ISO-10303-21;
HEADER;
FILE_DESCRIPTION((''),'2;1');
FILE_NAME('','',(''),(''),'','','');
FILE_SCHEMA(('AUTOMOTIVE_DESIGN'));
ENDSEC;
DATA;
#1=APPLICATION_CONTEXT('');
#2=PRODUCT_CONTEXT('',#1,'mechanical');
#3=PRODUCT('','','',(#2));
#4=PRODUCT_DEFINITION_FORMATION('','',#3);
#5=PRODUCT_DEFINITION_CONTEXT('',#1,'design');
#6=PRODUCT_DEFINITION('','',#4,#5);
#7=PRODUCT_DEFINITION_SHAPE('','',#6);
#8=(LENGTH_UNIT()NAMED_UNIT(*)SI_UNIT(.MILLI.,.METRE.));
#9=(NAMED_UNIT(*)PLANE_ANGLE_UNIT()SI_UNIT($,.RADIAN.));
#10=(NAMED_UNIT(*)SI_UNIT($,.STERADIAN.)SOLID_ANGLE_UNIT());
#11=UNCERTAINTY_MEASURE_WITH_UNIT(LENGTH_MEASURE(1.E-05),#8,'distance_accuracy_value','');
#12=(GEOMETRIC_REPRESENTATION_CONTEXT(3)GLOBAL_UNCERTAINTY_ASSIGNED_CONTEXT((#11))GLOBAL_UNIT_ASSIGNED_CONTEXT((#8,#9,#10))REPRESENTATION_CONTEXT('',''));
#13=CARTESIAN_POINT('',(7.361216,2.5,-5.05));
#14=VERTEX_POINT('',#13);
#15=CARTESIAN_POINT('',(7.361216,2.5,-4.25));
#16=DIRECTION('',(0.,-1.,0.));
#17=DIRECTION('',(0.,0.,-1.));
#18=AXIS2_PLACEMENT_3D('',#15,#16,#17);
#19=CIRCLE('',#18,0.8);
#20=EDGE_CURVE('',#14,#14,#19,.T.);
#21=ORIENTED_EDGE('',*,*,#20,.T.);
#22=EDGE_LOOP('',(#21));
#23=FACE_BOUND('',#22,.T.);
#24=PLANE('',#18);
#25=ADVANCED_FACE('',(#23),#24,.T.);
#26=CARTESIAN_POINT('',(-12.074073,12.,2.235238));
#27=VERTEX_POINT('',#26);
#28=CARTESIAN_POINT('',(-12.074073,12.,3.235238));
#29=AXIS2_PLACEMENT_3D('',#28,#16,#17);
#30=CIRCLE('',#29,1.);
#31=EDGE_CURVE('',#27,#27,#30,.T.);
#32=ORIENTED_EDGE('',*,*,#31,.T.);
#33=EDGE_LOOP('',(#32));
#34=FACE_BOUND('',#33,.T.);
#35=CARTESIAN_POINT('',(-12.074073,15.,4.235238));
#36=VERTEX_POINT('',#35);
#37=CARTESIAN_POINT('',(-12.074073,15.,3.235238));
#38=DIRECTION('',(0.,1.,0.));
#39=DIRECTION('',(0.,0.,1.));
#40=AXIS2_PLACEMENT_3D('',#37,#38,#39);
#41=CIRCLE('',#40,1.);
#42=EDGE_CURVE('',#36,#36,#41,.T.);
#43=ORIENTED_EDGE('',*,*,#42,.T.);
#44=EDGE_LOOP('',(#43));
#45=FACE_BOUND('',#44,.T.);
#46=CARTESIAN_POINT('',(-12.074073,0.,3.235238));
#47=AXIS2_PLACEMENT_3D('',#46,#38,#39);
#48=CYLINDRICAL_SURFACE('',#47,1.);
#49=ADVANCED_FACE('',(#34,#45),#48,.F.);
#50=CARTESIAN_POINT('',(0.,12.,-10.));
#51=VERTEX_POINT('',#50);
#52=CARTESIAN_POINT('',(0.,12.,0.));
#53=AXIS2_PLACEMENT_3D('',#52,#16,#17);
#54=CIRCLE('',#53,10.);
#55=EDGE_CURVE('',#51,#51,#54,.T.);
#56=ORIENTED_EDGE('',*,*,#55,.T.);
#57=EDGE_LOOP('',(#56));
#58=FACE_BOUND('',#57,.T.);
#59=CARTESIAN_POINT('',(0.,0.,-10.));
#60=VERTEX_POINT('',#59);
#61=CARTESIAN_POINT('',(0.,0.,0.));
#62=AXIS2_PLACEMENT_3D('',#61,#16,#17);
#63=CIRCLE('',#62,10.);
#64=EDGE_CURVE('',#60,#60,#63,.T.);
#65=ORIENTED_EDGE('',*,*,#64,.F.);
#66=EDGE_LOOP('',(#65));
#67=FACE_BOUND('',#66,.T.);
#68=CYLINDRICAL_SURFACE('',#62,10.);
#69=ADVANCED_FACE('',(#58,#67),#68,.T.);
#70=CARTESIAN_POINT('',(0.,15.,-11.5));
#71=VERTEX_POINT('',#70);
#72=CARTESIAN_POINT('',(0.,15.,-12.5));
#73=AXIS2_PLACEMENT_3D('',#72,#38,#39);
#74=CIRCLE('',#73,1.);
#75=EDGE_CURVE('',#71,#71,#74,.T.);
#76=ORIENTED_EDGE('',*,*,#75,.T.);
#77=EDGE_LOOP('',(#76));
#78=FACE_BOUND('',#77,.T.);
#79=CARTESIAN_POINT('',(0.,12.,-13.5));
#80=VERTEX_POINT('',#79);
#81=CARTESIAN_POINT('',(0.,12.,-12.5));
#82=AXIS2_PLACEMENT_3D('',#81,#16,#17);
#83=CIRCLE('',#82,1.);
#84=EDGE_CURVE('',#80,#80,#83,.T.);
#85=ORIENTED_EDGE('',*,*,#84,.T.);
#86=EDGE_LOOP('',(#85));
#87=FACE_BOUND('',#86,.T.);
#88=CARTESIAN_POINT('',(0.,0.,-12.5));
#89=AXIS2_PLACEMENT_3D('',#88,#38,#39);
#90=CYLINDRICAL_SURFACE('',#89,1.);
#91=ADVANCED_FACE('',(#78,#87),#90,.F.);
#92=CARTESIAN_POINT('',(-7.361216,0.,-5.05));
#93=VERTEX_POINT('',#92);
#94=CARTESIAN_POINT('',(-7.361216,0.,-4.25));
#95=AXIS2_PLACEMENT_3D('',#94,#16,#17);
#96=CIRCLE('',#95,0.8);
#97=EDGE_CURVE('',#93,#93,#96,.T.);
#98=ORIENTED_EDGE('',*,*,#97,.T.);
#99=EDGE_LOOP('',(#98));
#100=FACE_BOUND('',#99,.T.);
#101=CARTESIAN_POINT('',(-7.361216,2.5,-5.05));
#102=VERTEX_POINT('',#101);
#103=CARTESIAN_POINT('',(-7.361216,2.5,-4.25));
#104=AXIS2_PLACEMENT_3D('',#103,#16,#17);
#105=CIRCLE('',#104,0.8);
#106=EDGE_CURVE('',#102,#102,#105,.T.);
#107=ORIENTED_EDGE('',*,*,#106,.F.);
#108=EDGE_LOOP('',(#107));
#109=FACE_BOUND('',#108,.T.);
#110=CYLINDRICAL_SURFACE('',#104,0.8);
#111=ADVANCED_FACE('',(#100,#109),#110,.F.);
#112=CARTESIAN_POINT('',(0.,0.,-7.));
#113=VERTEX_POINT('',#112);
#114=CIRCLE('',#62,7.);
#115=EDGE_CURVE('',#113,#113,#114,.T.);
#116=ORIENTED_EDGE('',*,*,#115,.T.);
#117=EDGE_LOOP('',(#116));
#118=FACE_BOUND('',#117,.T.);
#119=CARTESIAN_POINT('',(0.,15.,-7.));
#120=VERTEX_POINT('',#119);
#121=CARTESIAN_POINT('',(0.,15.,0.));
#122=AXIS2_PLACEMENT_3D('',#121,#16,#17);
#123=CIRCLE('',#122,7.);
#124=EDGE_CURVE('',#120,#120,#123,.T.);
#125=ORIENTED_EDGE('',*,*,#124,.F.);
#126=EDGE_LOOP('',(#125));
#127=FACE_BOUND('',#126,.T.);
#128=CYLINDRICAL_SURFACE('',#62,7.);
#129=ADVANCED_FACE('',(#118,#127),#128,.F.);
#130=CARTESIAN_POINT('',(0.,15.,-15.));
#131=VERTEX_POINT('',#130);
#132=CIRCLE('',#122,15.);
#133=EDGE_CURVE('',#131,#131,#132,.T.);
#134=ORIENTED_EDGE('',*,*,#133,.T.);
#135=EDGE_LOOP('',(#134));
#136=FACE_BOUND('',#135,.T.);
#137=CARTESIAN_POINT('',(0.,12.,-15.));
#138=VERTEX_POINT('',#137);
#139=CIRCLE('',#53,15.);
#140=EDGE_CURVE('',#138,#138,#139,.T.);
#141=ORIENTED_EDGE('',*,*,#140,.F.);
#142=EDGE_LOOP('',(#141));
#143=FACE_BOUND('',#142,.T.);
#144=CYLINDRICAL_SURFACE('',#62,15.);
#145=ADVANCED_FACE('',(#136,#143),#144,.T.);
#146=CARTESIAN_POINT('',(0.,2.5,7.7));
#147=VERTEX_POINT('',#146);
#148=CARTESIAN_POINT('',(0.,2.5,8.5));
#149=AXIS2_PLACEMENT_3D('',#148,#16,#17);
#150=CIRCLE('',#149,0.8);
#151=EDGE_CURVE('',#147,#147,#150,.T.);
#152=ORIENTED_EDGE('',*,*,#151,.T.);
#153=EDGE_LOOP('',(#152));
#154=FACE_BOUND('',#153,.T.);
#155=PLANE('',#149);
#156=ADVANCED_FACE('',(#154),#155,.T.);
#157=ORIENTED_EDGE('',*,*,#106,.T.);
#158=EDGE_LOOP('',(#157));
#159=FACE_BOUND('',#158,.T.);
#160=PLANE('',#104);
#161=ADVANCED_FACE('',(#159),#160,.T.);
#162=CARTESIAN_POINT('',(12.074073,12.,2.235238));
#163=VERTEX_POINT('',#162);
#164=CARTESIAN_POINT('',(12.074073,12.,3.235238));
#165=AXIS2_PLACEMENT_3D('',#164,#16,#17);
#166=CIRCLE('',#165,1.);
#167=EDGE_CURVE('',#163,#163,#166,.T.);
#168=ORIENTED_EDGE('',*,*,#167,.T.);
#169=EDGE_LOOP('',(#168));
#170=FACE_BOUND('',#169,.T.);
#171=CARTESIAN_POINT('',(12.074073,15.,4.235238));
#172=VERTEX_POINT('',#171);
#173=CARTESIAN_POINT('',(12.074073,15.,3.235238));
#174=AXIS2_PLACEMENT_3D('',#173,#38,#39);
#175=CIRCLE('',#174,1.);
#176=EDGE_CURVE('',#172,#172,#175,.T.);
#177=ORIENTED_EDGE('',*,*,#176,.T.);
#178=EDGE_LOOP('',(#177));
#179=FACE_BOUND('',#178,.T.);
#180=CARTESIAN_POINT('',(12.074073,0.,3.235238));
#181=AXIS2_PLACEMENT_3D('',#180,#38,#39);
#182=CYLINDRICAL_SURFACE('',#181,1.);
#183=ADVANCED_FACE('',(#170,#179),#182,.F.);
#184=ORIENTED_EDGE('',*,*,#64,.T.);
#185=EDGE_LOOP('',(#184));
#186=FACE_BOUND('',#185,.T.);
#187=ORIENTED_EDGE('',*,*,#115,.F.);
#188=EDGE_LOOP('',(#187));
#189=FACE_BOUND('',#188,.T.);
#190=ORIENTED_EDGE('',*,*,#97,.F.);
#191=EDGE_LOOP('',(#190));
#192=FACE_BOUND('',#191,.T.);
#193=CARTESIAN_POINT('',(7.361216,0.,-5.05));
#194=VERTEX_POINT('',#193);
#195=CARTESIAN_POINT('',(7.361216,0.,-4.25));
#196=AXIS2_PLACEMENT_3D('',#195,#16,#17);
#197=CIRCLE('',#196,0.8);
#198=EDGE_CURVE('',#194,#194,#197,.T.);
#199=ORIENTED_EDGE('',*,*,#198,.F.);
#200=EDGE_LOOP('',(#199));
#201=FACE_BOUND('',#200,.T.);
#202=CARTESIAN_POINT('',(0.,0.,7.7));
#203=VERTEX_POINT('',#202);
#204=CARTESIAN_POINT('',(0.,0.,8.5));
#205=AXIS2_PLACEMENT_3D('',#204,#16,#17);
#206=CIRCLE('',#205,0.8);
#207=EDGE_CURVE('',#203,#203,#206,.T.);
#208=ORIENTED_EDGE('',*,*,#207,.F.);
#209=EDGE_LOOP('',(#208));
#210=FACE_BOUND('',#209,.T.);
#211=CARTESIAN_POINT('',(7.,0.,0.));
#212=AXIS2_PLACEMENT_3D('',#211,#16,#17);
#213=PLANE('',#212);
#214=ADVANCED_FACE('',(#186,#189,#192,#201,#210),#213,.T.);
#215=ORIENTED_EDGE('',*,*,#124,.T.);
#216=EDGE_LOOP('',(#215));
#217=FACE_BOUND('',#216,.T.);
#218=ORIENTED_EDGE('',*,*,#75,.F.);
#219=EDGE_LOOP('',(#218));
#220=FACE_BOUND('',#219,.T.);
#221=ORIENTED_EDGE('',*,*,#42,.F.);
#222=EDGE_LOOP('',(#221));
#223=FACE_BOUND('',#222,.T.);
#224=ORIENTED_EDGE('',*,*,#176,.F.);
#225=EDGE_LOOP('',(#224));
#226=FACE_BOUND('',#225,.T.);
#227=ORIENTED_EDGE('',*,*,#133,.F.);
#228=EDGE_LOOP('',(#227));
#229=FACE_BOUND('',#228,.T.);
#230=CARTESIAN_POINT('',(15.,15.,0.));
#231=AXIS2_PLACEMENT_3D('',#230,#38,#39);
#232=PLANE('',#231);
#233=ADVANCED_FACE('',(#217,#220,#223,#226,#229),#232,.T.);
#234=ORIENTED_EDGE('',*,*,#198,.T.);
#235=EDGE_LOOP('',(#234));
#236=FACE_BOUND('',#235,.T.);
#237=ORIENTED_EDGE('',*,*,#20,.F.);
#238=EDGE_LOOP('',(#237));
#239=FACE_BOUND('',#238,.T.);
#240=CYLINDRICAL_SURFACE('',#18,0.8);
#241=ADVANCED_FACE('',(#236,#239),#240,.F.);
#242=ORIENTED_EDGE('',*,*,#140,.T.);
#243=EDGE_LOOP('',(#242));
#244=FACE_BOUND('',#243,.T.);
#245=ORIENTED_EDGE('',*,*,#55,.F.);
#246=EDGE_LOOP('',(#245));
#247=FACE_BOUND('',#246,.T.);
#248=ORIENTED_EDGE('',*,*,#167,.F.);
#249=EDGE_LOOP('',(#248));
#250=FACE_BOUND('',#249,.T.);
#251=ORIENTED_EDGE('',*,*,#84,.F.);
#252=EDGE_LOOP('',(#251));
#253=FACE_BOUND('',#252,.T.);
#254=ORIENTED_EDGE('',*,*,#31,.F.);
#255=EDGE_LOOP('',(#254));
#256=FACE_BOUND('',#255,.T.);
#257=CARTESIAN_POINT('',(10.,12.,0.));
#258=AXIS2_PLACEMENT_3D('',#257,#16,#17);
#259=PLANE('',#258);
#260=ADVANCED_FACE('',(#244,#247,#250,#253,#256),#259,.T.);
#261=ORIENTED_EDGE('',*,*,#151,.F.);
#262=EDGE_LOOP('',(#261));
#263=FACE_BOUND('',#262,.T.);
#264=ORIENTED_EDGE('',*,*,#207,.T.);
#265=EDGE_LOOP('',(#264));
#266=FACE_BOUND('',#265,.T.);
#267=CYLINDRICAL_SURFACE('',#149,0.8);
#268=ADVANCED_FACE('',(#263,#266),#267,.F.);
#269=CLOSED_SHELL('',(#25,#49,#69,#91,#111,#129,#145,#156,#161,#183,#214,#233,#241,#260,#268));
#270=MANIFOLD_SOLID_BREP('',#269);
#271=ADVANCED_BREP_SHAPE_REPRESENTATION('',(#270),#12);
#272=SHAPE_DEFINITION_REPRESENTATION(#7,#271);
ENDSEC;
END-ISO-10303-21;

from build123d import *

# Parameters (mm, degrees)
SKETCH2_R          = 1
CUT_EXTRUDE1_DEPTH = 26.980762114
SKETCH3_R          = 0.8
CUT_EXTRUDE2_DEPTH = 2.5


with BuildPart() as part:
    # Sketch1 → Revolve1 (revolve)
    with BuildSketch(Plane.XY, mode=Mode.PRIVATE) as revolve1_sk:
        Polygon((10, 0), (10, 12), (15, 12), (15, 15), (7, 15), (7, 0), align=None)
    revolve(revolve1_sk.sketch.rotate(Axis((0, 0, 0), (0, 1, 0)), 90), axis=Axis((0, 0, 0), (0, 1, 0)))

    # Sketch2 → Cut-Extrude1 (cut, through all)
    with BuildSketch(Plane(origin=(0, 15, 0), x_dir=(1, 0, 0), z_dir=(0, 1, 0))):
        with Locations(Location((0, 12.5, 0), (0, 0, 270))):
            Circle(SKETCH2_R)
        with Locations(Location((-12.074072829, -3.235238064, 0), (0, 0, 270))):
            Circle(SKETCH2_R)
        with Locations(Location((12.074072829, -3.235238064, 0), (0, 0, 270))):
            Circle(SKETCH2_R)
    extrude(amount=-CUT_EXTRUDE1_DEPTH, mode=Mode.SUBTRACT)

    # Sketch3 → Cut-Extrude2 (cut)
    with BuildSketch(Plane.XZ):
        with Locations(Location((0, 8.5, 0), (0, 0, 270))):
            Circle(SKETCH3_R)
        with Locations(Location((7.361215932, -4.25, 0), (0, 0, 270))):
            Circle(SKETCH3_R)
        with Locations(Location((-7.361215932, -4.25, 0), (0, 0, 270))):
            Circle(SKETCH3_R)
    extrude(amount=-CUT_EXTRUDE2_DEPTH, mode=Mode.SUBTRACT)


solid = part.part
